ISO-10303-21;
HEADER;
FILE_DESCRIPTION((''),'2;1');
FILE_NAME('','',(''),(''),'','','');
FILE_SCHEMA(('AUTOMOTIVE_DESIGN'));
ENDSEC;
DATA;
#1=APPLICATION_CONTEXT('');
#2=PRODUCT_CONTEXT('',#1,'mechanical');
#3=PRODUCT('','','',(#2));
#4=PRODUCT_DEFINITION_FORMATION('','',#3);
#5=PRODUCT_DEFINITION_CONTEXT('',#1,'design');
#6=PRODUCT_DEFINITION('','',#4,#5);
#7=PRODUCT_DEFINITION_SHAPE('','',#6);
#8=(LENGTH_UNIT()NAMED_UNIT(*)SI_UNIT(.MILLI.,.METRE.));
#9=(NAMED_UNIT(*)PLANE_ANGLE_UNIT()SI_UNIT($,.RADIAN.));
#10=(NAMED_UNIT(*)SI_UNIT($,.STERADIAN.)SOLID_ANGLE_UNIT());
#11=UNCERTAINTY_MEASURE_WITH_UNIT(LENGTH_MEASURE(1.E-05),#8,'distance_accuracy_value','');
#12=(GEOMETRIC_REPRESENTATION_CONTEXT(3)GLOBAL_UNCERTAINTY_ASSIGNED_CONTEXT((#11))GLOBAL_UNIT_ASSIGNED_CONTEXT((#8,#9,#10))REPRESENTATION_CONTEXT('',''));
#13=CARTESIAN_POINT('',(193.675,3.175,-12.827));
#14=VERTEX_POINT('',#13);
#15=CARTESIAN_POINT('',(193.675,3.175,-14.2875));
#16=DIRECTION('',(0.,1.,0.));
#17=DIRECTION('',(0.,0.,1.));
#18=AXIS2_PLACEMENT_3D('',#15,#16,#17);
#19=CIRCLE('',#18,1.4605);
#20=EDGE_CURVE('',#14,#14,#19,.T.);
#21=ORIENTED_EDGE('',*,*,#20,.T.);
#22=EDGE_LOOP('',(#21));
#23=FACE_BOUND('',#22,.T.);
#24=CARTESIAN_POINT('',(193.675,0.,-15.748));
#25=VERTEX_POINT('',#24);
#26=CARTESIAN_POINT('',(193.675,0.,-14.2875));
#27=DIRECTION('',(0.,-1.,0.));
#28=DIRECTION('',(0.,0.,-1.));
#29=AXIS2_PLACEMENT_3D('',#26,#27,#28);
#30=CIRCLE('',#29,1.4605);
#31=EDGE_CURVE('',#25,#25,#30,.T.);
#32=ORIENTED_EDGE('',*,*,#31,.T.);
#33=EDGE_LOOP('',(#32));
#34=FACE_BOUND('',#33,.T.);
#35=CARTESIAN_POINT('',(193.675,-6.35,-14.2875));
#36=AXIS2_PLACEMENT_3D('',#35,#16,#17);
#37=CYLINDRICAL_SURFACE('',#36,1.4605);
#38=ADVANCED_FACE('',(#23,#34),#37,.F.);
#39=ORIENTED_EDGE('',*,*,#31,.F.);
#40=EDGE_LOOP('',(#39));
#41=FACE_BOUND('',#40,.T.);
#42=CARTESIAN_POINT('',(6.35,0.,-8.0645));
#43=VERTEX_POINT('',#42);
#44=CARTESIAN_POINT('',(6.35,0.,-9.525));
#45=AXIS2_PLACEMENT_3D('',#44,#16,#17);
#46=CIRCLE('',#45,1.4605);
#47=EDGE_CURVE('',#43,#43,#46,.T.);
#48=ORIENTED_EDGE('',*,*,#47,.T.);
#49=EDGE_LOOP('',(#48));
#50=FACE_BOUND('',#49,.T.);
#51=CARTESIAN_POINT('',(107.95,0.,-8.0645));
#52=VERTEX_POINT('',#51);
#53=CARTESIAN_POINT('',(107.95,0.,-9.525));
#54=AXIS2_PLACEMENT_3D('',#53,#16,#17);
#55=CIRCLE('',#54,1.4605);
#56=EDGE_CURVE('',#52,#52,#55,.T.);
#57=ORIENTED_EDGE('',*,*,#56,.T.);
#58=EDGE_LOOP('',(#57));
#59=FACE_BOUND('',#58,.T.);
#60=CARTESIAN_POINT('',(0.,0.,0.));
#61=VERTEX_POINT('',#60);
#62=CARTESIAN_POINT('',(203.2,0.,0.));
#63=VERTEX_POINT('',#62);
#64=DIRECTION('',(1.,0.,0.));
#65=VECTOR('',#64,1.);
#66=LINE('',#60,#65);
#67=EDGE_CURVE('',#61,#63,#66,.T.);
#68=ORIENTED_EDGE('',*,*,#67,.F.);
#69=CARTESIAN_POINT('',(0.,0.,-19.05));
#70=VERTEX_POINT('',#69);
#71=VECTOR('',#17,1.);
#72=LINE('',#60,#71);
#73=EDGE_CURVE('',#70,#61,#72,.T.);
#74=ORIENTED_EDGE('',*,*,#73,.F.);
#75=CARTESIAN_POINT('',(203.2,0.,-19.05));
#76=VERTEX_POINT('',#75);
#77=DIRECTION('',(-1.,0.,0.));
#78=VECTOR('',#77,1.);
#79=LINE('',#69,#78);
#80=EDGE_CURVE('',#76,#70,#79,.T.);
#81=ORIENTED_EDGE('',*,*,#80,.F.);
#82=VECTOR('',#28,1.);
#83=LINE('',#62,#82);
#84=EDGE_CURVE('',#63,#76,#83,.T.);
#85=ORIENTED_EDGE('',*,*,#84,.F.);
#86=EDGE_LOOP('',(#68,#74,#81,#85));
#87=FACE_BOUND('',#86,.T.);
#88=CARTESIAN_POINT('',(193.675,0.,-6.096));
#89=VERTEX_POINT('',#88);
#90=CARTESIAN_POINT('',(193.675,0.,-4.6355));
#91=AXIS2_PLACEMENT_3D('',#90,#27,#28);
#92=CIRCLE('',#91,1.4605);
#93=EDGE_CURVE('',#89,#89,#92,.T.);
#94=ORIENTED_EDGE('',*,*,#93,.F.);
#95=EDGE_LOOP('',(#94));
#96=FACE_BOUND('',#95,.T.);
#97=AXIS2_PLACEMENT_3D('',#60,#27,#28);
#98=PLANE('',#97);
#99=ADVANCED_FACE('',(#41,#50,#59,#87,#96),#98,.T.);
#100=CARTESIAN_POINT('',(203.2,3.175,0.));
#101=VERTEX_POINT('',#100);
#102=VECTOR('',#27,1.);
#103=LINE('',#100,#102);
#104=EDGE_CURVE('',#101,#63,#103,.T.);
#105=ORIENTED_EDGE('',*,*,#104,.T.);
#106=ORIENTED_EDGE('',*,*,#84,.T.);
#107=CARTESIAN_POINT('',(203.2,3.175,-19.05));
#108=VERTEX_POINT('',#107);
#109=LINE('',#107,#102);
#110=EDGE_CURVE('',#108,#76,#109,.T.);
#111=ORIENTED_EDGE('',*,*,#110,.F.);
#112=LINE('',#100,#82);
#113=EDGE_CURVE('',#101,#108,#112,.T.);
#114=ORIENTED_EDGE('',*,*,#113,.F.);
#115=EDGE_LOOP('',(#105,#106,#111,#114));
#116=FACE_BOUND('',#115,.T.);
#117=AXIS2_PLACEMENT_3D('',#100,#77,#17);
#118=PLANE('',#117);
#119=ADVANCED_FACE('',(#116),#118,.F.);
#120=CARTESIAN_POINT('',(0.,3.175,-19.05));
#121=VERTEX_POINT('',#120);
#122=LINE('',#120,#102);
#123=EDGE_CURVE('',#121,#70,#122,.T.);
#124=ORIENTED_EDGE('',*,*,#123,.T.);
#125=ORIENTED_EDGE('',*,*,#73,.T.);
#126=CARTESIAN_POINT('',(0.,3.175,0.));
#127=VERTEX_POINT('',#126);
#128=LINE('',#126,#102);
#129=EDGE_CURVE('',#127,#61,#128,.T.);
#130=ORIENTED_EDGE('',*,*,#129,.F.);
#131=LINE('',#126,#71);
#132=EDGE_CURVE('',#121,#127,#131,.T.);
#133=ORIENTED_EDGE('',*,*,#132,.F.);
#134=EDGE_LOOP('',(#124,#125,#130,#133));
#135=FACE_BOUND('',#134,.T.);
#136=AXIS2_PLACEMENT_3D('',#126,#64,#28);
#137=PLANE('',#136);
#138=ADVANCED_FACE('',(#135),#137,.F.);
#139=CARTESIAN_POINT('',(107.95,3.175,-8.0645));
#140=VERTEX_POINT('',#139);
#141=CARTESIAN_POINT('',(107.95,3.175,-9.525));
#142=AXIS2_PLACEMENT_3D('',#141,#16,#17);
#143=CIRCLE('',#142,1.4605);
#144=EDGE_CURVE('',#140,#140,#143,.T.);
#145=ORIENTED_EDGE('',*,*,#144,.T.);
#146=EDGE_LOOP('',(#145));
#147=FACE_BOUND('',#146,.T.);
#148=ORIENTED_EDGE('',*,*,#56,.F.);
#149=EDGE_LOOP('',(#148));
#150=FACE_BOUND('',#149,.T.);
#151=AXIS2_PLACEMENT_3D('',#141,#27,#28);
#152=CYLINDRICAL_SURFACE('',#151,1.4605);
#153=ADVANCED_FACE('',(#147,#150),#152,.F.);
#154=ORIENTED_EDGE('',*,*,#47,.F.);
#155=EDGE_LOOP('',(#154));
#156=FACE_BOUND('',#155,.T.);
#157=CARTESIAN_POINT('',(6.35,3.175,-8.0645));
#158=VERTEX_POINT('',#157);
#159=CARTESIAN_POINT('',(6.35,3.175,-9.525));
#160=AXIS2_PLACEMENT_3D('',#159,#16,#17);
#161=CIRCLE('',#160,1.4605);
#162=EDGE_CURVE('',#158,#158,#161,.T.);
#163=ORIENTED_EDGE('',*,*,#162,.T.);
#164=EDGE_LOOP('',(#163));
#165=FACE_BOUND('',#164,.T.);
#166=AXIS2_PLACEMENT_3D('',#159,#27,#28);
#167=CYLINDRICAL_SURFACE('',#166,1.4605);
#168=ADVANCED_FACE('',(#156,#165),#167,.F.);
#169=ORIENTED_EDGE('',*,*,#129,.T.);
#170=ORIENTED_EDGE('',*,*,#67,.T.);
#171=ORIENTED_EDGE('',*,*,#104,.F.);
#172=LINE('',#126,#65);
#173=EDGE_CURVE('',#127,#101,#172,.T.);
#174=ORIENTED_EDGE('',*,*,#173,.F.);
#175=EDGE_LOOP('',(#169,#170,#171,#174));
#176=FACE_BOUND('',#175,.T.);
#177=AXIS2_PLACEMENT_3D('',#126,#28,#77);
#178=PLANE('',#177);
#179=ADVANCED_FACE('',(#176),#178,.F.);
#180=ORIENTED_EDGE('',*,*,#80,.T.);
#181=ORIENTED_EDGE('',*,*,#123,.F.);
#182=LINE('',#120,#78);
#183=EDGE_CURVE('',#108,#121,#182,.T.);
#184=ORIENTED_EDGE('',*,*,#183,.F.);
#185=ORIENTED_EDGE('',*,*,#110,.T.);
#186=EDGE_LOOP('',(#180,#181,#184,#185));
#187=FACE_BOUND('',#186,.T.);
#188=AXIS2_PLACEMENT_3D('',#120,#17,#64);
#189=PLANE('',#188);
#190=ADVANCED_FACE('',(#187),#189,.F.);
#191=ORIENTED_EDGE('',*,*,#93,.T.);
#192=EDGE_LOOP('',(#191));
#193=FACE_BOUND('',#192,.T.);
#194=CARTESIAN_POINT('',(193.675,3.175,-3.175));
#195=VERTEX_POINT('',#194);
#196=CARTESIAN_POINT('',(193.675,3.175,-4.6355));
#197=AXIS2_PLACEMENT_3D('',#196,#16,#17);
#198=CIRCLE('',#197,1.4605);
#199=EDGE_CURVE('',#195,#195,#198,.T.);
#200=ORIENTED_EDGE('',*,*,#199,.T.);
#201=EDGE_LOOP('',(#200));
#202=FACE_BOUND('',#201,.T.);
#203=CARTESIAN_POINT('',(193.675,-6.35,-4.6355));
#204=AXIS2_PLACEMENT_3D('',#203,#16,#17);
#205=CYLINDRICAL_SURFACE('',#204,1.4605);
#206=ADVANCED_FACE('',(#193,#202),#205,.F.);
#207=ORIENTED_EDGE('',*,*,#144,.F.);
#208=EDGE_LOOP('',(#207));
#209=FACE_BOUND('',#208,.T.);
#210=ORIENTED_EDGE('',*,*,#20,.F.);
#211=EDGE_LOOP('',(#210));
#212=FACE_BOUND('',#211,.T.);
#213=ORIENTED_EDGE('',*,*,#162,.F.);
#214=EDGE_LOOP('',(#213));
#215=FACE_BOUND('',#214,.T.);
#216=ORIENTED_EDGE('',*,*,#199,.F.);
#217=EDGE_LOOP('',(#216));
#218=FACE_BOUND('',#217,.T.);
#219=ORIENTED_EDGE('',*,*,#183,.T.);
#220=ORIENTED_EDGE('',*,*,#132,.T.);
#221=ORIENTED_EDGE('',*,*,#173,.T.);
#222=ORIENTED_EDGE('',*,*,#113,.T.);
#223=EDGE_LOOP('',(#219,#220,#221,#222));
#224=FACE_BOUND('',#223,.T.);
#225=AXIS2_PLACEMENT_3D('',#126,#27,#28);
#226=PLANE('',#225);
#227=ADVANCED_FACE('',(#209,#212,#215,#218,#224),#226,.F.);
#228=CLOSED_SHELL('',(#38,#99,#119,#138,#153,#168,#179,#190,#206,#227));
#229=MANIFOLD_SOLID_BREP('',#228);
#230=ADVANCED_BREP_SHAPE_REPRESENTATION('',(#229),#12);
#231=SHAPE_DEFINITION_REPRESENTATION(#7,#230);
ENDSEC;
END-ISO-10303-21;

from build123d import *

# Parameters (mm, degrees)
SKETCH1_W           = 203.2
SKETCH1_H           = 19.05
SKETCH1_R           = 1.4605
BOSS_EXTRUDE1_DEPTH = 3.175
SKETCH2_R           = 1.4605
CUT_EXTRUDE1_DEPTH  = 9.525


with BuildPart() as part:
    # Sketch1 → Boss-Extrude1 (new body)
    with BuildSketch(Plane(origin=(0, 0, 0), x_dir=(1, 0, 0), z_dir=(0, 1, 0))):
        with Locations((101.6, 9.525)):
            Rectangle(SKETCH1_W, SKETCH1_H)
        with Locations(Location((6.35, 9.525, 0), (0, 0, 270))):
            Circle(SKETCH1_R, mode=Mode.SUBTRACT)
        with Locations(Location((107.95, 9.525, 0), (0, 0, 270))):
            Circle(SKETCH1_R, mode=Mode.SUBTRACT)
    extrude(amount=BOSS_EXTRUDE1_DEPTH)

    # Sketch2 → Cut-Extrude1 (cut)
    with BuildSketch(Plane(origin=(0, 3.175, 0), x_dir=(1, 0, 0), z_dir=(0, 1, 0))):
        with Locations(Location((193.675, 14.2875, 0), (0, 0, 270))):
            Circle(SKETCH2_R)
        with Locations(Location((193.675, 4.6355, 0), (0, 0, 270))):
            Circle(SKETCH2_R)
    extrude(amount=-CUT_EXTRUDE1_DEPTH, mode=Mode.SUBTRACT)


solid = part.part
